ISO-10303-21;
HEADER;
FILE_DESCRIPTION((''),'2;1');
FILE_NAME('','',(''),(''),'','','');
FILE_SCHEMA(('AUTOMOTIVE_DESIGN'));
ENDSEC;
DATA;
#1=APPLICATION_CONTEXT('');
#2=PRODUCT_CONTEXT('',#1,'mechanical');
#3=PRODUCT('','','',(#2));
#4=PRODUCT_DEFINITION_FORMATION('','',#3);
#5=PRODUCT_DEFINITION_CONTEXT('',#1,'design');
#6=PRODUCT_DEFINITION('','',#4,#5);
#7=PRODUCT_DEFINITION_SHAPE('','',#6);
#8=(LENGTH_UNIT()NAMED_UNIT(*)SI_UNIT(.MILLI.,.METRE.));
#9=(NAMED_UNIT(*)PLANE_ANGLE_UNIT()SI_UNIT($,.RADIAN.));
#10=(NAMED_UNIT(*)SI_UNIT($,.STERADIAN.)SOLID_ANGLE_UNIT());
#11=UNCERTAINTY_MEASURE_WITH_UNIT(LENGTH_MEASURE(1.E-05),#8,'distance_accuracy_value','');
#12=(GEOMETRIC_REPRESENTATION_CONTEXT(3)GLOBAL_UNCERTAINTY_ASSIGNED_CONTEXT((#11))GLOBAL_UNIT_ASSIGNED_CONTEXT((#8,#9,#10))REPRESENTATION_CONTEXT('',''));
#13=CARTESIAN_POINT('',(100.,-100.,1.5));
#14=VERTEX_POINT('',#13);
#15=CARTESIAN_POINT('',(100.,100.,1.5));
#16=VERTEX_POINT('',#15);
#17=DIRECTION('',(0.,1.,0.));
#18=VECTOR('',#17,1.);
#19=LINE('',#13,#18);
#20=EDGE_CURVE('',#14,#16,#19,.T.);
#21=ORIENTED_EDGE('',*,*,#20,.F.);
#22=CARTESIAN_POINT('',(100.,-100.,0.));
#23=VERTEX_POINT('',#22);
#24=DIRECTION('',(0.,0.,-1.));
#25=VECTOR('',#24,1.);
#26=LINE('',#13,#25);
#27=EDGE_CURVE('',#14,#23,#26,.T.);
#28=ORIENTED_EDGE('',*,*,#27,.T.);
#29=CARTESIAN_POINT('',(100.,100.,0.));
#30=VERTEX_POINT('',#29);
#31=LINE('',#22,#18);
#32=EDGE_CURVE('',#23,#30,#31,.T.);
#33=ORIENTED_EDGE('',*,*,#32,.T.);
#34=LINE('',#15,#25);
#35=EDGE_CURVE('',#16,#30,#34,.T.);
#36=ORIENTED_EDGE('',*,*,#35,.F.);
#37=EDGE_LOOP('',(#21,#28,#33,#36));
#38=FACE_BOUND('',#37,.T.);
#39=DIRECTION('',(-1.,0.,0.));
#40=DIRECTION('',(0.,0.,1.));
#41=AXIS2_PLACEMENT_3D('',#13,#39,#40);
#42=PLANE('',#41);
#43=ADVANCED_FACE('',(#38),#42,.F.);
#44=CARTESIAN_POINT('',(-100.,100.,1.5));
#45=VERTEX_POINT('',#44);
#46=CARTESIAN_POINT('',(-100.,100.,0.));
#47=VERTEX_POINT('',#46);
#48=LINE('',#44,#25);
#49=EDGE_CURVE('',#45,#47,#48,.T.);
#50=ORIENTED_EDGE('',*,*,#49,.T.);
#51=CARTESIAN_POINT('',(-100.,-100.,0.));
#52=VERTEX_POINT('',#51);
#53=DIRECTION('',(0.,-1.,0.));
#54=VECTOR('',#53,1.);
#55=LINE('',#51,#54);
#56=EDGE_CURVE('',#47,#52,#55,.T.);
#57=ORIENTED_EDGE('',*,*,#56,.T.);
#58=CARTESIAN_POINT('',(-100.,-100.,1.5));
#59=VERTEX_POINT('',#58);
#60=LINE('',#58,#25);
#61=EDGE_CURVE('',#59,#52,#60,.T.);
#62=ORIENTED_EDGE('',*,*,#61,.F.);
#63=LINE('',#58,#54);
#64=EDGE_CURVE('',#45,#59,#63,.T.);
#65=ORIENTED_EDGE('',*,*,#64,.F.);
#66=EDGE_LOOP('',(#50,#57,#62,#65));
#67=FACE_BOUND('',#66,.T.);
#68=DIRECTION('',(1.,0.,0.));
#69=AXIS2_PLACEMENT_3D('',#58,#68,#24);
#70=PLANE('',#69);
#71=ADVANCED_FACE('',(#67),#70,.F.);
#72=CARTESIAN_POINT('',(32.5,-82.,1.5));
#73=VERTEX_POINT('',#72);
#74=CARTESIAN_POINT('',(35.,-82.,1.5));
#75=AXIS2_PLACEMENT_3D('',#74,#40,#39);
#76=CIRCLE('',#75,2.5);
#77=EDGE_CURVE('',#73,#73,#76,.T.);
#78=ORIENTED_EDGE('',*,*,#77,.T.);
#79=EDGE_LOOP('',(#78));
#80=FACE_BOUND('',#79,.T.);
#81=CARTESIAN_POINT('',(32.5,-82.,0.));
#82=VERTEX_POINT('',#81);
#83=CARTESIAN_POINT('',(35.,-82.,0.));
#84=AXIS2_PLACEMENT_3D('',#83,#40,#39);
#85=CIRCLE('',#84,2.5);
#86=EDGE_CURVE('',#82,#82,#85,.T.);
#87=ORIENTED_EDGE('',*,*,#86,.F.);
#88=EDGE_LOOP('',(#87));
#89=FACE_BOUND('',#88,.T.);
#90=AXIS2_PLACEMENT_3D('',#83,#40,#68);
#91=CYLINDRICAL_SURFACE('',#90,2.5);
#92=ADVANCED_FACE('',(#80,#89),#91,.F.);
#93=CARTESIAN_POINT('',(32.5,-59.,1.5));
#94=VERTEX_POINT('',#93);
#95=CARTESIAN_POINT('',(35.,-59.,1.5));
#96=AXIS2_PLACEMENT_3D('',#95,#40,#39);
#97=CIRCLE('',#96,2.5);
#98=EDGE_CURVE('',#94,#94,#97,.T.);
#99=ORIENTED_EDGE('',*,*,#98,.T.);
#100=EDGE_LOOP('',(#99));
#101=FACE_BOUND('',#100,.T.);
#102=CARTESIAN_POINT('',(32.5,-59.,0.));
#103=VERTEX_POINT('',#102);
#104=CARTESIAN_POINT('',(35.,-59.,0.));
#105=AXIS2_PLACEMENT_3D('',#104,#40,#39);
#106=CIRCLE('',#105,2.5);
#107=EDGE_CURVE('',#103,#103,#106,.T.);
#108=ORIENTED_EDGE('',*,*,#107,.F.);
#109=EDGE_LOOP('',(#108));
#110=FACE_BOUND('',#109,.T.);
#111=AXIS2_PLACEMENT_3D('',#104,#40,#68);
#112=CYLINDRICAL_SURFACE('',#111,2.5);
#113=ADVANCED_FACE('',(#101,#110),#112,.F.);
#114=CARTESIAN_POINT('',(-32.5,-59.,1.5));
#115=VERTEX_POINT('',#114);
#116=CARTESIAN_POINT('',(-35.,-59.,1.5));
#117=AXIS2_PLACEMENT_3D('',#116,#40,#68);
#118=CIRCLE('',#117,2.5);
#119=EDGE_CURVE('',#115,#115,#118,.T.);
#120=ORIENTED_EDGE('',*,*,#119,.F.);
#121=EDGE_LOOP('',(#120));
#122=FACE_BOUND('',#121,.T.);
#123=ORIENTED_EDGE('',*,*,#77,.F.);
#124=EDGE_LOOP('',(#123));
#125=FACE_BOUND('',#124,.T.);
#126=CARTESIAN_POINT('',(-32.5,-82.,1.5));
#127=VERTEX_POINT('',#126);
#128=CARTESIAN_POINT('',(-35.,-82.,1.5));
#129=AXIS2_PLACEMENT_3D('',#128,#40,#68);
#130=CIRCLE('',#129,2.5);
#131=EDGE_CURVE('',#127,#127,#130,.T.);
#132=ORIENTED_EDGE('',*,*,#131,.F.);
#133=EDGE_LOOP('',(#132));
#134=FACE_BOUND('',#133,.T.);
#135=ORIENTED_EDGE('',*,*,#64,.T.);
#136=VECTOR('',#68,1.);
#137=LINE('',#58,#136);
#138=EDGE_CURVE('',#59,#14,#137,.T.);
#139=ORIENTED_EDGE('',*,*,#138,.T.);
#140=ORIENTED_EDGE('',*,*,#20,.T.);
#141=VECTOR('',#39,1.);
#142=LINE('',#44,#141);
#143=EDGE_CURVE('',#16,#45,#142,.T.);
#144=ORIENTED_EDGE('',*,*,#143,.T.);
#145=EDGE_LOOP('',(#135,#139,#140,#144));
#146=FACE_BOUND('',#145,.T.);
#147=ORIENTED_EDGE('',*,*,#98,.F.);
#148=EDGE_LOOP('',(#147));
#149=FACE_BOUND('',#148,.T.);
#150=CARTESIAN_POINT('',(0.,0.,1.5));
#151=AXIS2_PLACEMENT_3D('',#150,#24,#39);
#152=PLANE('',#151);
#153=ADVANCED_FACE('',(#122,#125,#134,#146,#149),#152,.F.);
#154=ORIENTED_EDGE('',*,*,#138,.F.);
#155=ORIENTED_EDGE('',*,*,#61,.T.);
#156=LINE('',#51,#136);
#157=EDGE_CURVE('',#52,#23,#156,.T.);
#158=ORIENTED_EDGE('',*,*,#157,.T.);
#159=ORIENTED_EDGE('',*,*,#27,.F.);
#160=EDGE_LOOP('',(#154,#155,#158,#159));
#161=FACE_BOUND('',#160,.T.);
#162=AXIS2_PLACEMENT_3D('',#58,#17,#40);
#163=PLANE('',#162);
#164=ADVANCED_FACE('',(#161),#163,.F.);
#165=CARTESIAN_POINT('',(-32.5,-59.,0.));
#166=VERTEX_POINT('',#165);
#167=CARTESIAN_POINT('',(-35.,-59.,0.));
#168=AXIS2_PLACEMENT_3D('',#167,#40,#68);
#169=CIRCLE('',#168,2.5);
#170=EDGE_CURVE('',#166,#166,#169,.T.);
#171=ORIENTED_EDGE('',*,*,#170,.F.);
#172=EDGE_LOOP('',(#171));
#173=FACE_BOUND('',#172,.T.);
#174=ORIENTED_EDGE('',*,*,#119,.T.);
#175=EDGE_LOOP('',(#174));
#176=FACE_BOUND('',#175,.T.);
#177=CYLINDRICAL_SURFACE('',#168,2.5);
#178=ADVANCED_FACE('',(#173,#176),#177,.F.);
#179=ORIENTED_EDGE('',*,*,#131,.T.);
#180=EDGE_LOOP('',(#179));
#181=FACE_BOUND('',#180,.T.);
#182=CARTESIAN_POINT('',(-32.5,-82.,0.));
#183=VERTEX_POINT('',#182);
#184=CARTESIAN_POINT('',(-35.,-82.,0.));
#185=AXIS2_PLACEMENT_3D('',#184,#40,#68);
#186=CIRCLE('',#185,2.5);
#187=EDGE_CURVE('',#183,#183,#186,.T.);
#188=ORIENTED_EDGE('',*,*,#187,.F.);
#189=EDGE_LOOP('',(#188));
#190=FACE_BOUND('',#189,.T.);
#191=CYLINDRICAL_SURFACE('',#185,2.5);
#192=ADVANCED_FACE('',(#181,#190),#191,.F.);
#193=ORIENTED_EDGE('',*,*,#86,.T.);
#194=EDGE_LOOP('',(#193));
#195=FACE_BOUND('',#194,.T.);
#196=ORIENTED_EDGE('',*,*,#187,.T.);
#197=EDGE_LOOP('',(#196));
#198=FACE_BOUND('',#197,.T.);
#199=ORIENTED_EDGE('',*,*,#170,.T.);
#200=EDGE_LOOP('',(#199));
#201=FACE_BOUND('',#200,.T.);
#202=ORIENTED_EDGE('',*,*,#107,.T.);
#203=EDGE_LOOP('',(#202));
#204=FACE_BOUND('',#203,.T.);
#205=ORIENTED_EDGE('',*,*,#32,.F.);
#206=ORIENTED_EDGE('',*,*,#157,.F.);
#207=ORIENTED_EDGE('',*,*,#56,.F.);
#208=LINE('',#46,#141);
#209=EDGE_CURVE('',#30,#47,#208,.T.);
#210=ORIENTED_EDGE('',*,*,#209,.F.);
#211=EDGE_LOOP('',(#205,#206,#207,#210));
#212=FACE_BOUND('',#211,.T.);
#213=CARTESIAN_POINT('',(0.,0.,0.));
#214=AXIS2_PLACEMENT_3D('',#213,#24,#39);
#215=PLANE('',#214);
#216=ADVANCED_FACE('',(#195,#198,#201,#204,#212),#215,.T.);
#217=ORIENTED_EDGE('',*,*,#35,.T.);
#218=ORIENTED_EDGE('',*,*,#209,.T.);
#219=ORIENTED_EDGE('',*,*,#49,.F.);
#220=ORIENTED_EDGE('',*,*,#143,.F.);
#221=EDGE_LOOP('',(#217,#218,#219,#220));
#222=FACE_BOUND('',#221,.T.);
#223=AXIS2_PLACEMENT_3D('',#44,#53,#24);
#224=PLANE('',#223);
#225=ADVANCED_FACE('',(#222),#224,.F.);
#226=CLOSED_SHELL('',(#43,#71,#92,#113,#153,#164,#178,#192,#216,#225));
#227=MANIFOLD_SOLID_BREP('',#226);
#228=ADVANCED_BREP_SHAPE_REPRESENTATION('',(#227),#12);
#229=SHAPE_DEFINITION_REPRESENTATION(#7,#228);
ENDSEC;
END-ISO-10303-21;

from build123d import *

# Parameters (mm, degrees)
SKETCH_1_W          = 200
SKETCH_1_H          = 200
EXTRUDE_1_DEPTH     = 1.5
SKETCH_2_R          = 2.5
CUT_EXTRUDE_1_DEPTH = 1.5


with BuildPart() as part:
    # 草图1 → 凸台-拉伸1 (new body)
    with BuildSketch(Plane.XY):
        Rectangle(SKETCH_1_W, SKETCH_1_H)
    extrude(amount=EXTRUDE_1_DEPTH)

    # 草图2 → 切除-拉伸1 (cut)
    with BuildSketch(Plane.XY.offset(1.5)):
        with Locations((-35, -82)):
            Circle(SKETCH_2_R)
        with Locations((-35, -59)):
            Circle(SKETCH_2_R)
        with Locations(Location((35, -82, 0), (0, 0, 180))):
            Circle(SKETCH_2_R)
        with Locations(Location((35, -59, 0), (0, 0, 180))):
            Circle(SKETCH_2_R)
    extrude(amount=-CUT_EXTRUDE_1_DEPTH, mode=Mode.SUBTRACT)


solid = part.part
